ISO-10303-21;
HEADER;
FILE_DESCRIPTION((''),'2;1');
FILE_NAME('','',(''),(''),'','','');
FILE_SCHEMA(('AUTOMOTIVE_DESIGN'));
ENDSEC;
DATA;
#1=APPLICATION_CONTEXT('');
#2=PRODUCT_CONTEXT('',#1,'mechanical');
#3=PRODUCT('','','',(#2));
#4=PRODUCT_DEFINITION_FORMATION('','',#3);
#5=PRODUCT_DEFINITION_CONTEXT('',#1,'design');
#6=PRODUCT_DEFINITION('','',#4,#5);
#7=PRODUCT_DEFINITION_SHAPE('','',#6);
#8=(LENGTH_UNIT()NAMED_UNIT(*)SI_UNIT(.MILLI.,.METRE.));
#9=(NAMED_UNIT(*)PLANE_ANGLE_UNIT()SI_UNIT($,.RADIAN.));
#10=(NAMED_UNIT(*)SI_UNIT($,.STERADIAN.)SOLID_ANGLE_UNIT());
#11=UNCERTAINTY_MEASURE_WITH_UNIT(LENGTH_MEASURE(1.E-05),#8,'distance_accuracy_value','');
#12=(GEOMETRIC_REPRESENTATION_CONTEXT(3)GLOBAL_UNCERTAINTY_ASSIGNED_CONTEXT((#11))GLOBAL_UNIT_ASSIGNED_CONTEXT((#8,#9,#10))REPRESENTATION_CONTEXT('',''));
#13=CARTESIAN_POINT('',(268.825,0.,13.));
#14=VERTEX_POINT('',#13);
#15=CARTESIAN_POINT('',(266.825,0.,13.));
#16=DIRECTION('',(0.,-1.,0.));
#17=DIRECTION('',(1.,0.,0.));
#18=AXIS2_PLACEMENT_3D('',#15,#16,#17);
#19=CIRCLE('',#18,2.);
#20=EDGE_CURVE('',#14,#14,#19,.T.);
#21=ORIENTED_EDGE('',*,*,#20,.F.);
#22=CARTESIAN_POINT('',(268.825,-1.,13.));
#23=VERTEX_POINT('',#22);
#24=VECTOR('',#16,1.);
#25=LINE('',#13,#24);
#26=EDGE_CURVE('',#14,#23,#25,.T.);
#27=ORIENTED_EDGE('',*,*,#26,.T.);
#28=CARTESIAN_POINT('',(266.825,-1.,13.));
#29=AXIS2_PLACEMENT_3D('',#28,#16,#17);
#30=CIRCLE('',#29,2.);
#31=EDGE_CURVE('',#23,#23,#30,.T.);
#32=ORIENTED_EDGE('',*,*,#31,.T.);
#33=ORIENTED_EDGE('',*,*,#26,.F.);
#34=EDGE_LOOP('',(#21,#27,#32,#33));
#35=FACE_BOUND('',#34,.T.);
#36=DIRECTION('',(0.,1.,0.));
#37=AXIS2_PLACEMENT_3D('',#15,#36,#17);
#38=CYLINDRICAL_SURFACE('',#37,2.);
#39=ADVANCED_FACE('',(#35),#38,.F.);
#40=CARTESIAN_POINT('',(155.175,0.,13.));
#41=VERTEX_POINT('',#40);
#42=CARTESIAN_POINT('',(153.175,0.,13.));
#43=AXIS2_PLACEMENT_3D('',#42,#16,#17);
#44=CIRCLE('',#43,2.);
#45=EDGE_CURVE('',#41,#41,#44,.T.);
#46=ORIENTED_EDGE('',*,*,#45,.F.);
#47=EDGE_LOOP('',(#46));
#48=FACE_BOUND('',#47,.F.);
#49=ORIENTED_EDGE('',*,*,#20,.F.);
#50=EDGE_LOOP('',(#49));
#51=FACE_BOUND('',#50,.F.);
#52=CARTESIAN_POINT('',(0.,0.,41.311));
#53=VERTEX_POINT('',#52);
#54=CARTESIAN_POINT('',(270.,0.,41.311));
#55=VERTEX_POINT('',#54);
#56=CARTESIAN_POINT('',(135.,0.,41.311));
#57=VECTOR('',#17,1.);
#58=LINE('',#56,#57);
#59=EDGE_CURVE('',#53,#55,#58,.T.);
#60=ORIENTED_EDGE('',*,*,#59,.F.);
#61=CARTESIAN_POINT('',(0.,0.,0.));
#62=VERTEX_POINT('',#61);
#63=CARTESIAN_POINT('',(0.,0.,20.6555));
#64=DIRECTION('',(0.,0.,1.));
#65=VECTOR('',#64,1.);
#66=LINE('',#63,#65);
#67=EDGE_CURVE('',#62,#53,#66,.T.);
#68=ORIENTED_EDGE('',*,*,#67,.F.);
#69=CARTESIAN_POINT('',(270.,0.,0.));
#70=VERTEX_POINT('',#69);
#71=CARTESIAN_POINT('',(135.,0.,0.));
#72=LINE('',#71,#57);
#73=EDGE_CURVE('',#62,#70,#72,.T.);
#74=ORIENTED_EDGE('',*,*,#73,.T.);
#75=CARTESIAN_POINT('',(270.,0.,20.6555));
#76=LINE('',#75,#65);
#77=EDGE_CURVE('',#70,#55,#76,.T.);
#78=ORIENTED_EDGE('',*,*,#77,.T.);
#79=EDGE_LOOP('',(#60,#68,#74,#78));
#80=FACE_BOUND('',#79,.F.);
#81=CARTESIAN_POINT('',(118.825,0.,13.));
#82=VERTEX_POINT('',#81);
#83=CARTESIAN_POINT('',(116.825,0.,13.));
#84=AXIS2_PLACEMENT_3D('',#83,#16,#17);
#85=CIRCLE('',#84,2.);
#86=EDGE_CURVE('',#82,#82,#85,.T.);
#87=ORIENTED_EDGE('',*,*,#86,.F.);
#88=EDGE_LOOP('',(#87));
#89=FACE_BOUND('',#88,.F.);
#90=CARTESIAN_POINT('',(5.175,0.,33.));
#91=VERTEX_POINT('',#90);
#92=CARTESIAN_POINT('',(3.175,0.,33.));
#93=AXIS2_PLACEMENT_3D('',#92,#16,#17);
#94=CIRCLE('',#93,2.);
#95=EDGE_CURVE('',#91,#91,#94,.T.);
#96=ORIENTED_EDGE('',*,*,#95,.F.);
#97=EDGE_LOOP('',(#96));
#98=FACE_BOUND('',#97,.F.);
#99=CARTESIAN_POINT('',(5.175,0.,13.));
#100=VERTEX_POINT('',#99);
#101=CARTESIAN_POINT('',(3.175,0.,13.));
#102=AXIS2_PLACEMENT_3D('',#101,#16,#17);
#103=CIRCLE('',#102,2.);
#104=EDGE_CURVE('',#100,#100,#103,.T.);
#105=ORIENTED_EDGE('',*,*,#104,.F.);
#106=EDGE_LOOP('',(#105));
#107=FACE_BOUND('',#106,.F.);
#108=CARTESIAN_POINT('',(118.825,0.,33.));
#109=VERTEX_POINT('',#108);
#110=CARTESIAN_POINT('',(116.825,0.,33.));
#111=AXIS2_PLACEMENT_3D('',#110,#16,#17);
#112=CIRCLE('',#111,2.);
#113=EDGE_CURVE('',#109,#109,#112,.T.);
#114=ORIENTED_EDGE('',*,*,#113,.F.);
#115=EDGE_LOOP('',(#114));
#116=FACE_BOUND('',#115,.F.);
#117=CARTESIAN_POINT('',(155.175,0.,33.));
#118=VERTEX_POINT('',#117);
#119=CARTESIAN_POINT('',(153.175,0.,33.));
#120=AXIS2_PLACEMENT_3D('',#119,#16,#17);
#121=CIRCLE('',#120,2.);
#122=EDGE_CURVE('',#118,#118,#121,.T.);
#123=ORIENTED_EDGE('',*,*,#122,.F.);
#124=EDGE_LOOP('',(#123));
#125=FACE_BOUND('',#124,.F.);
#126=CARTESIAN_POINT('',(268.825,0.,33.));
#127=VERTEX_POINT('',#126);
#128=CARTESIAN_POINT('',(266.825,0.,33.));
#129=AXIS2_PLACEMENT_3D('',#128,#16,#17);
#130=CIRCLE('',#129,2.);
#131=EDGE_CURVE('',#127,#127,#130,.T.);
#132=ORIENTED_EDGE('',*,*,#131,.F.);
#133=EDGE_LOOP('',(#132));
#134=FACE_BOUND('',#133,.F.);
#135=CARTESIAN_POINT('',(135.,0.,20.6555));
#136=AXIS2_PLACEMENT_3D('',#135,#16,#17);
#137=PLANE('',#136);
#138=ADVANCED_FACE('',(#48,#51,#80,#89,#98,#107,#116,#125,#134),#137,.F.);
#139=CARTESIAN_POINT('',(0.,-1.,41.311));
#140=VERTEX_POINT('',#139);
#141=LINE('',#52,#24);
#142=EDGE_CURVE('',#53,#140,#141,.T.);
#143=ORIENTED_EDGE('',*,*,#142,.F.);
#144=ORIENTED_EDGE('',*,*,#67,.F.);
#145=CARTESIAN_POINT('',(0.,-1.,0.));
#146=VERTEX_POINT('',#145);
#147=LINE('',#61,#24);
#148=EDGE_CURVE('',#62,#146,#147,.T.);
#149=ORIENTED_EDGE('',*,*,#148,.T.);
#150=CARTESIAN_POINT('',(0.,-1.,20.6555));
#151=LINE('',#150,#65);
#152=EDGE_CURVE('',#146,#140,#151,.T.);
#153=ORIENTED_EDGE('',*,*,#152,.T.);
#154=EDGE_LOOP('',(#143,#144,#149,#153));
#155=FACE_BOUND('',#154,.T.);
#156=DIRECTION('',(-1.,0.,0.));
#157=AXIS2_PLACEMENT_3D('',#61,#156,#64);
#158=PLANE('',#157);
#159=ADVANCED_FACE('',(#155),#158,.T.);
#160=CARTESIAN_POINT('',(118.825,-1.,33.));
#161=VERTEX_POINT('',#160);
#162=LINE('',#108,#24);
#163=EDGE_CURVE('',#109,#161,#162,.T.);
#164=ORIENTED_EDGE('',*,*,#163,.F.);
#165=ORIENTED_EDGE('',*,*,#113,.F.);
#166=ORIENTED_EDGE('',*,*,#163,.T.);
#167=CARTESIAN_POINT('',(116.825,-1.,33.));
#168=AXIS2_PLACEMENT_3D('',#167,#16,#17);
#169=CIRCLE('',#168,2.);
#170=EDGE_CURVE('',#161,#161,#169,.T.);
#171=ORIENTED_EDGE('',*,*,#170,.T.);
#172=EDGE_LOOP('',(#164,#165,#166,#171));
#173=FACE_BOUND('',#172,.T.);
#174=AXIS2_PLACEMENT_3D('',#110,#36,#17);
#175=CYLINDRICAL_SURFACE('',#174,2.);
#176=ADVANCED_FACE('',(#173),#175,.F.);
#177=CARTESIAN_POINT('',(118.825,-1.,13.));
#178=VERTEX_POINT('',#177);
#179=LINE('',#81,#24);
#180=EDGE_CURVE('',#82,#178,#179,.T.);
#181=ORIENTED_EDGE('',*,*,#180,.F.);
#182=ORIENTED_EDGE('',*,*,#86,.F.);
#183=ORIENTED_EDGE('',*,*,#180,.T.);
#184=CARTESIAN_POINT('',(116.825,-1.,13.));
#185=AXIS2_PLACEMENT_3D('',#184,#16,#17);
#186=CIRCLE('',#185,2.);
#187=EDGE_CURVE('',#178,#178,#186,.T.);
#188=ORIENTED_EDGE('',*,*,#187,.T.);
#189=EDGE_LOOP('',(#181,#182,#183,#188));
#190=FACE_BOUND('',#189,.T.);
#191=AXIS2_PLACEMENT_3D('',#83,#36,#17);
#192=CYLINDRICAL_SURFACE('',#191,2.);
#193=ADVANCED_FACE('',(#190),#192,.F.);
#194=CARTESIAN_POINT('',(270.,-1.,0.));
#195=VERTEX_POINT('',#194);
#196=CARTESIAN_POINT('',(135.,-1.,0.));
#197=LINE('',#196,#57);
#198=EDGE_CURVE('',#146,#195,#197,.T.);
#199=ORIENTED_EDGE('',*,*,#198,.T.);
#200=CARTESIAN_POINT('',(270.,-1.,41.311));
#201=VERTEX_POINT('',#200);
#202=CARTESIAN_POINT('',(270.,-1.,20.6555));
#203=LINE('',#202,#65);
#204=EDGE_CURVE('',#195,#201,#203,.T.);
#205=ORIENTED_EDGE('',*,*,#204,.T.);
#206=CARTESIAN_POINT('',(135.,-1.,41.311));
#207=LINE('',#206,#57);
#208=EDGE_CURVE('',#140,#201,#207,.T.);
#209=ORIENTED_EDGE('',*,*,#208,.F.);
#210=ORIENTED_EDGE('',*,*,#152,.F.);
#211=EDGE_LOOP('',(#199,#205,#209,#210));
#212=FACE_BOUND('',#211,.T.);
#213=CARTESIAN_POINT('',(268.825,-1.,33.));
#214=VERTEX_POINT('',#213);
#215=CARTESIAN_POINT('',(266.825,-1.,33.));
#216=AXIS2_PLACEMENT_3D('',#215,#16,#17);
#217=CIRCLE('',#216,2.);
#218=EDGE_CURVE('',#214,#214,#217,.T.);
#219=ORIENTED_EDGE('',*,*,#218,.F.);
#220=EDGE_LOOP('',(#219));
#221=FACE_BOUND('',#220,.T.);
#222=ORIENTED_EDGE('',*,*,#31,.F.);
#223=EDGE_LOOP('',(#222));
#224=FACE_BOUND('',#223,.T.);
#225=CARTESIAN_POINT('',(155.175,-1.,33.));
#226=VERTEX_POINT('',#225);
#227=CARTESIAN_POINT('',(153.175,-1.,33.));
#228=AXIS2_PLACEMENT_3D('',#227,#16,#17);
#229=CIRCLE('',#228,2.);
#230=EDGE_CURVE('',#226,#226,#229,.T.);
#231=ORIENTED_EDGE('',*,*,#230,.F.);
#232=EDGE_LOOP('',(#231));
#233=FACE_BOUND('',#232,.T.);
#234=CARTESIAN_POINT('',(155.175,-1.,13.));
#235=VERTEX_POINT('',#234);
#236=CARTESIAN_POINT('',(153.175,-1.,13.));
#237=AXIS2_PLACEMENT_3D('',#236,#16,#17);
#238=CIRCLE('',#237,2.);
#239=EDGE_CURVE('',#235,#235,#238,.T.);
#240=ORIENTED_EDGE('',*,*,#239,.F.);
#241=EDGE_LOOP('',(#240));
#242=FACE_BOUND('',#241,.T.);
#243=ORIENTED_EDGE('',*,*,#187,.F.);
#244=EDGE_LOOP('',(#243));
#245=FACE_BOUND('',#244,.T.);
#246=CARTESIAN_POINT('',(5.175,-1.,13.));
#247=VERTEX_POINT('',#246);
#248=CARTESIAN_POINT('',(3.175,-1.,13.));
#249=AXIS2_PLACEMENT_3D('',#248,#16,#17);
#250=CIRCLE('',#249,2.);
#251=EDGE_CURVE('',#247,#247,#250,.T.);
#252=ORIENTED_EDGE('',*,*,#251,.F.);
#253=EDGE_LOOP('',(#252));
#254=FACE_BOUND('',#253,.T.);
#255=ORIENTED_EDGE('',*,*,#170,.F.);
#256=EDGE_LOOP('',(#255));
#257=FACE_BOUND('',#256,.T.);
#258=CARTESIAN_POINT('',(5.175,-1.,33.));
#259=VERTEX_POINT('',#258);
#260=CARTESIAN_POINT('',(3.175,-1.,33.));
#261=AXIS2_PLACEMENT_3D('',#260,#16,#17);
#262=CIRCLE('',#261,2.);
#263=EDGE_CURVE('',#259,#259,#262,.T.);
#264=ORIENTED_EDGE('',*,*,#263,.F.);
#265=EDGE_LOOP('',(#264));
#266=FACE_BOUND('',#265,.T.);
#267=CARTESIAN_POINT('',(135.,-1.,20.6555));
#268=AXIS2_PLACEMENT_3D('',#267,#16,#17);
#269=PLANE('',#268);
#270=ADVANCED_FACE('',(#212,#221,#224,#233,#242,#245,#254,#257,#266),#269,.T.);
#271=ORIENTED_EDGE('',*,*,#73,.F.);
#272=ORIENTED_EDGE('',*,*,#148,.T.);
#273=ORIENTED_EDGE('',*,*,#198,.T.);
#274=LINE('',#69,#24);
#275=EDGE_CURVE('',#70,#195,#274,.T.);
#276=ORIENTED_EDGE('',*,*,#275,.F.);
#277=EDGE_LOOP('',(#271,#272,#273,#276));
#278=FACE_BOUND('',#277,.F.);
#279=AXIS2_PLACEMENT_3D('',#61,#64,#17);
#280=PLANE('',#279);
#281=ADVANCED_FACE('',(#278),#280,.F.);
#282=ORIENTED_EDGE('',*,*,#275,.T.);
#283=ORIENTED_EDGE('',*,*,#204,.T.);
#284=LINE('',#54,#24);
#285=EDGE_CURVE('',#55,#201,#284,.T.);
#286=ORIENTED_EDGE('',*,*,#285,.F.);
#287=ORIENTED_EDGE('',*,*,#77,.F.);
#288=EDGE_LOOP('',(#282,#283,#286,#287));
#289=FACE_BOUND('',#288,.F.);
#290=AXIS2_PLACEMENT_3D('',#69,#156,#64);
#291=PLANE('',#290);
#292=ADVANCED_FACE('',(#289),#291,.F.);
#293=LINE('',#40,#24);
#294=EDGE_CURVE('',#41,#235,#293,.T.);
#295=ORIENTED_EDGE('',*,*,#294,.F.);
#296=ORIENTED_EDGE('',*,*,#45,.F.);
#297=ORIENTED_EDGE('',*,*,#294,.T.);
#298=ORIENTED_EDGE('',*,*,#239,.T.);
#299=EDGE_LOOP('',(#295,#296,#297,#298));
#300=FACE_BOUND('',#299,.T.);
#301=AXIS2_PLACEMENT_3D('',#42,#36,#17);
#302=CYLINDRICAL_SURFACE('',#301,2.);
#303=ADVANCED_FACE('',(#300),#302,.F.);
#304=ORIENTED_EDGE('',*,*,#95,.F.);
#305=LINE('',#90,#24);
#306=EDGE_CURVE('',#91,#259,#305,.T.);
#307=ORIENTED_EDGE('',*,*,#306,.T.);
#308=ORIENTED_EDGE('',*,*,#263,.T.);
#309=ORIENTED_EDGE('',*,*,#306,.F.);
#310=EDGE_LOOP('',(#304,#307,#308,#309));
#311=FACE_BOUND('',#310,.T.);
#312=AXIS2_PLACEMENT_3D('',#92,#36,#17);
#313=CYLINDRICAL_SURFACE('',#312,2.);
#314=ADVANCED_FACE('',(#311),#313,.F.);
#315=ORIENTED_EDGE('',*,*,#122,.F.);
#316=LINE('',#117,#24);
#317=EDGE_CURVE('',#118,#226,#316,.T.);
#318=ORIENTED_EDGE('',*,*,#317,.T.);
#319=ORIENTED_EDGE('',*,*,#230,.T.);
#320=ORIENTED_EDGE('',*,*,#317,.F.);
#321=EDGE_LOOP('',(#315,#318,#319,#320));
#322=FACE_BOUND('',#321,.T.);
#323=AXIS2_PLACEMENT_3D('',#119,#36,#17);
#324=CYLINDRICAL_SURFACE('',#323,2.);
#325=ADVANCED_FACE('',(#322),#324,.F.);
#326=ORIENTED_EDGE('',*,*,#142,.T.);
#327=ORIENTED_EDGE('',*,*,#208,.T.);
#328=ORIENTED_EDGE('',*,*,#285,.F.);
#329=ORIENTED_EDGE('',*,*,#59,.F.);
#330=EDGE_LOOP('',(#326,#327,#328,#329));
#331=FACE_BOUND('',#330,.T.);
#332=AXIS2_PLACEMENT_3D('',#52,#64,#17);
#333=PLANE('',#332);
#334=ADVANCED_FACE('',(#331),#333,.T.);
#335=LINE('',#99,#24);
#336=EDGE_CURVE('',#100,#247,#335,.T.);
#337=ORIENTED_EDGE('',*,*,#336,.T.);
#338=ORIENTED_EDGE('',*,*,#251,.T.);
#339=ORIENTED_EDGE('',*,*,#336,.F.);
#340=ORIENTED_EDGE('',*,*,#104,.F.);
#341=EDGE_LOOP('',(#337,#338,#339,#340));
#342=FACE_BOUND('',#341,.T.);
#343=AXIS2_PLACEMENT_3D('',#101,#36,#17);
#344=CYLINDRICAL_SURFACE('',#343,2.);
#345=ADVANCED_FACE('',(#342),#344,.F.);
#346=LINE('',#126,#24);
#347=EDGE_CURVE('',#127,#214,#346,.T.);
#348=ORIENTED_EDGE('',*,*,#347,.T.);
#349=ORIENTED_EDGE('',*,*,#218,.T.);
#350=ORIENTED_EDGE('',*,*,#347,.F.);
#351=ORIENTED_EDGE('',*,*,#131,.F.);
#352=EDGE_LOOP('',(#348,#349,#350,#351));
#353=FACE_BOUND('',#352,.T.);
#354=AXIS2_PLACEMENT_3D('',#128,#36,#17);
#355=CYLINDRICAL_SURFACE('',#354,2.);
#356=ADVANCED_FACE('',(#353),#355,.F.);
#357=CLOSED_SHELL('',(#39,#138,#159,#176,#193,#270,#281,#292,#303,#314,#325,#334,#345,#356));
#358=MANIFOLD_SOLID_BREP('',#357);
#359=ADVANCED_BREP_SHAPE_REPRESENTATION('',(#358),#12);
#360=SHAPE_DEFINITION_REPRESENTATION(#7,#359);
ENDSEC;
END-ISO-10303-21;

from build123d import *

# Parameters (mm, degrees)
F0_W     = 270
F0_H     = 41.311
F0_R     = 2
F1_DEPTH = 1


with BuildPart() as f1:
    # F0 (on Front) → F1 (new body)
    with BuildSketch(Plane.XZ):
        with Locations((135, 20.6555)):
            Rectangle(F0_W, F0_H)
        with Locations((3.175, 13)):
            Circle(F0_R, mode=Mode.SUBTRACT)
        with Locations((116.825, 13)):
            Circle(F0_R, mode=Mode.SUBTRACT)
        with Locations((153.175, 13)):
            Circle(F0_R, mode=Mode.SUBTRACT)
        with Locations((266.825, 13)):
            Circle(F0_R, mode=Mode.SUBTRACT)
        with Locations((3.175, 33)):
            Circle(F0_R, mode=Mode.SUBTRACT)
        with Locations((116.825, 33)):
            Circle(F0_R, mode=Mode.SUBTRACT)
        with Locations((153.175, 33)):
            Circle(F0_R, mode=Mode.SUBTRACT)
        with Locations((266.825, 33)):
            Circle(F0_R, mode=Mode.SUBTRACT)
    extrude(amount=F1_DEPTH)


solid = f1.part
